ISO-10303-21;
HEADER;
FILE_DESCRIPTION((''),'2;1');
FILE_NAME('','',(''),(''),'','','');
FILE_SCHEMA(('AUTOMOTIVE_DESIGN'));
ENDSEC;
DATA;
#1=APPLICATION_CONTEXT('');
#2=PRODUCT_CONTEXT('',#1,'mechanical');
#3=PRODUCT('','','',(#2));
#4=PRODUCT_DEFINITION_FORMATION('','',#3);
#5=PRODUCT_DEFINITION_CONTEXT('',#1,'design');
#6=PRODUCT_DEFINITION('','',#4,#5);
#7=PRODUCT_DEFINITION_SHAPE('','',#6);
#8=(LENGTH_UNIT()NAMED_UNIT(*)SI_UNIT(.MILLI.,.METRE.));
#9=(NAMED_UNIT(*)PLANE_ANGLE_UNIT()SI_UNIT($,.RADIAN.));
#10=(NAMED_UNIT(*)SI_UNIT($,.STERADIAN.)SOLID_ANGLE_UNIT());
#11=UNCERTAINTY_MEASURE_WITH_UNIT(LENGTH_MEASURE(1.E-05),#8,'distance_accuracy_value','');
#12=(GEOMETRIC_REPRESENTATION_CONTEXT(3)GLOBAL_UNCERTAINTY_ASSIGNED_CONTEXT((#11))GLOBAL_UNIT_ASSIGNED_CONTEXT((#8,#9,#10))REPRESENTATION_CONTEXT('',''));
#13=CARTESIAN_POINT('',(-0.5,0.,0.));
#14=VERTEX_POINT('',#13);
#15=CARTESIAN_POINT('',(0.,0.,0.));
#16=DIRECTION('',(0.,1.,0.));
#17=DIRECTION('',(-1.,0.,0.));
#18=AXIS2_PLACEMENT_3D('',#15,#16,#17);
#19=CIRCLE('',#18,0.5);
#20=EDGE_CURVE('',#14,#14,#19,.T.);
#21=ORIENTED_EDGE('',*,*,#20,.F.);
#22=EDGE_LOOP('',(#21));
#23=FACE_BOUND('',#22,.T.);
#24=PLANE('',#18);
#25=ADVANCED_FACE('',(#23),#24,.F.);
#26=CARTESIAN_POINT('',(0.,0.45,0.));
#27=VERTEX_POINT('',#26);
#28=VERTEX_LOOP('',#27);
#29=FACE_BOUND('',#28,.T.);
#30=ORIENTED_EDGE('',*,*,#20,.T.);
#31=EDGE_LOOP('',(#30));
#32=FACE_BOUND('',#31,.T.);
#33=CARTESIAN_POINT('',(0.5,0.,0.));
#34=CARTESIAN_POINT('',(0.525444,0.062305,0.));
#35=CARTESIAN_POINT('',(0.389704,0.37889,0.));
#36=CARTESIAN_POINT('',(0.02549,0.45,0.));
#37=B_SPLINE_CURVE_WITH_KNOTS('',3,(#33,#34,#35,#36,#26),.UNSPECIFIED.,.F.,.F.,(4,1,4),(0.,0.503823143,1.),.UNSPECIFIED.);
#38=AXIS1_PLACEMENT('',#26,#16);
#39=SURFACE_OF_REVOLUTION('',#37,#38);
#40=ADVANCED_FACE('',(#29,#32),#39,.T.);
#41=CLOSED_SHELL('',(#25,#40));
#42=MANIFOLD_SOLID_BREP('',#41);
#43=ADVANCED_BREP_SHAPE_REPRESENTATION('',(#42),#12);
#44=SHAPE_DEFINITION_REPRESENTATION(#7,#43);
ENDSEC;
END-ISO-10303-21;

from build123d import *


with BuildPart() as part:
    # Sketch1 → Revolve1 (revolve)
    with BuildSketch(Plane.XY):
        with BuildLine():
            Line((0, 0.45), (0, 0))
            Line((0, 0), (0.5, 0))
            add(Edge.make_bspline(
                [(0.5, 0), (0.525443724, 0.062304504), (0.389704349, 0.378890471), (0.025490439, 0.45), (0, 0.45)],
                knots=[0, 0, 0, 0, 0.503823143, 1, 1, 1, 1], degree=3))
        make_face()
    revolve(axis=Axis((0, 0.45, 0), (0, -1, 0)))


solid = part.part
